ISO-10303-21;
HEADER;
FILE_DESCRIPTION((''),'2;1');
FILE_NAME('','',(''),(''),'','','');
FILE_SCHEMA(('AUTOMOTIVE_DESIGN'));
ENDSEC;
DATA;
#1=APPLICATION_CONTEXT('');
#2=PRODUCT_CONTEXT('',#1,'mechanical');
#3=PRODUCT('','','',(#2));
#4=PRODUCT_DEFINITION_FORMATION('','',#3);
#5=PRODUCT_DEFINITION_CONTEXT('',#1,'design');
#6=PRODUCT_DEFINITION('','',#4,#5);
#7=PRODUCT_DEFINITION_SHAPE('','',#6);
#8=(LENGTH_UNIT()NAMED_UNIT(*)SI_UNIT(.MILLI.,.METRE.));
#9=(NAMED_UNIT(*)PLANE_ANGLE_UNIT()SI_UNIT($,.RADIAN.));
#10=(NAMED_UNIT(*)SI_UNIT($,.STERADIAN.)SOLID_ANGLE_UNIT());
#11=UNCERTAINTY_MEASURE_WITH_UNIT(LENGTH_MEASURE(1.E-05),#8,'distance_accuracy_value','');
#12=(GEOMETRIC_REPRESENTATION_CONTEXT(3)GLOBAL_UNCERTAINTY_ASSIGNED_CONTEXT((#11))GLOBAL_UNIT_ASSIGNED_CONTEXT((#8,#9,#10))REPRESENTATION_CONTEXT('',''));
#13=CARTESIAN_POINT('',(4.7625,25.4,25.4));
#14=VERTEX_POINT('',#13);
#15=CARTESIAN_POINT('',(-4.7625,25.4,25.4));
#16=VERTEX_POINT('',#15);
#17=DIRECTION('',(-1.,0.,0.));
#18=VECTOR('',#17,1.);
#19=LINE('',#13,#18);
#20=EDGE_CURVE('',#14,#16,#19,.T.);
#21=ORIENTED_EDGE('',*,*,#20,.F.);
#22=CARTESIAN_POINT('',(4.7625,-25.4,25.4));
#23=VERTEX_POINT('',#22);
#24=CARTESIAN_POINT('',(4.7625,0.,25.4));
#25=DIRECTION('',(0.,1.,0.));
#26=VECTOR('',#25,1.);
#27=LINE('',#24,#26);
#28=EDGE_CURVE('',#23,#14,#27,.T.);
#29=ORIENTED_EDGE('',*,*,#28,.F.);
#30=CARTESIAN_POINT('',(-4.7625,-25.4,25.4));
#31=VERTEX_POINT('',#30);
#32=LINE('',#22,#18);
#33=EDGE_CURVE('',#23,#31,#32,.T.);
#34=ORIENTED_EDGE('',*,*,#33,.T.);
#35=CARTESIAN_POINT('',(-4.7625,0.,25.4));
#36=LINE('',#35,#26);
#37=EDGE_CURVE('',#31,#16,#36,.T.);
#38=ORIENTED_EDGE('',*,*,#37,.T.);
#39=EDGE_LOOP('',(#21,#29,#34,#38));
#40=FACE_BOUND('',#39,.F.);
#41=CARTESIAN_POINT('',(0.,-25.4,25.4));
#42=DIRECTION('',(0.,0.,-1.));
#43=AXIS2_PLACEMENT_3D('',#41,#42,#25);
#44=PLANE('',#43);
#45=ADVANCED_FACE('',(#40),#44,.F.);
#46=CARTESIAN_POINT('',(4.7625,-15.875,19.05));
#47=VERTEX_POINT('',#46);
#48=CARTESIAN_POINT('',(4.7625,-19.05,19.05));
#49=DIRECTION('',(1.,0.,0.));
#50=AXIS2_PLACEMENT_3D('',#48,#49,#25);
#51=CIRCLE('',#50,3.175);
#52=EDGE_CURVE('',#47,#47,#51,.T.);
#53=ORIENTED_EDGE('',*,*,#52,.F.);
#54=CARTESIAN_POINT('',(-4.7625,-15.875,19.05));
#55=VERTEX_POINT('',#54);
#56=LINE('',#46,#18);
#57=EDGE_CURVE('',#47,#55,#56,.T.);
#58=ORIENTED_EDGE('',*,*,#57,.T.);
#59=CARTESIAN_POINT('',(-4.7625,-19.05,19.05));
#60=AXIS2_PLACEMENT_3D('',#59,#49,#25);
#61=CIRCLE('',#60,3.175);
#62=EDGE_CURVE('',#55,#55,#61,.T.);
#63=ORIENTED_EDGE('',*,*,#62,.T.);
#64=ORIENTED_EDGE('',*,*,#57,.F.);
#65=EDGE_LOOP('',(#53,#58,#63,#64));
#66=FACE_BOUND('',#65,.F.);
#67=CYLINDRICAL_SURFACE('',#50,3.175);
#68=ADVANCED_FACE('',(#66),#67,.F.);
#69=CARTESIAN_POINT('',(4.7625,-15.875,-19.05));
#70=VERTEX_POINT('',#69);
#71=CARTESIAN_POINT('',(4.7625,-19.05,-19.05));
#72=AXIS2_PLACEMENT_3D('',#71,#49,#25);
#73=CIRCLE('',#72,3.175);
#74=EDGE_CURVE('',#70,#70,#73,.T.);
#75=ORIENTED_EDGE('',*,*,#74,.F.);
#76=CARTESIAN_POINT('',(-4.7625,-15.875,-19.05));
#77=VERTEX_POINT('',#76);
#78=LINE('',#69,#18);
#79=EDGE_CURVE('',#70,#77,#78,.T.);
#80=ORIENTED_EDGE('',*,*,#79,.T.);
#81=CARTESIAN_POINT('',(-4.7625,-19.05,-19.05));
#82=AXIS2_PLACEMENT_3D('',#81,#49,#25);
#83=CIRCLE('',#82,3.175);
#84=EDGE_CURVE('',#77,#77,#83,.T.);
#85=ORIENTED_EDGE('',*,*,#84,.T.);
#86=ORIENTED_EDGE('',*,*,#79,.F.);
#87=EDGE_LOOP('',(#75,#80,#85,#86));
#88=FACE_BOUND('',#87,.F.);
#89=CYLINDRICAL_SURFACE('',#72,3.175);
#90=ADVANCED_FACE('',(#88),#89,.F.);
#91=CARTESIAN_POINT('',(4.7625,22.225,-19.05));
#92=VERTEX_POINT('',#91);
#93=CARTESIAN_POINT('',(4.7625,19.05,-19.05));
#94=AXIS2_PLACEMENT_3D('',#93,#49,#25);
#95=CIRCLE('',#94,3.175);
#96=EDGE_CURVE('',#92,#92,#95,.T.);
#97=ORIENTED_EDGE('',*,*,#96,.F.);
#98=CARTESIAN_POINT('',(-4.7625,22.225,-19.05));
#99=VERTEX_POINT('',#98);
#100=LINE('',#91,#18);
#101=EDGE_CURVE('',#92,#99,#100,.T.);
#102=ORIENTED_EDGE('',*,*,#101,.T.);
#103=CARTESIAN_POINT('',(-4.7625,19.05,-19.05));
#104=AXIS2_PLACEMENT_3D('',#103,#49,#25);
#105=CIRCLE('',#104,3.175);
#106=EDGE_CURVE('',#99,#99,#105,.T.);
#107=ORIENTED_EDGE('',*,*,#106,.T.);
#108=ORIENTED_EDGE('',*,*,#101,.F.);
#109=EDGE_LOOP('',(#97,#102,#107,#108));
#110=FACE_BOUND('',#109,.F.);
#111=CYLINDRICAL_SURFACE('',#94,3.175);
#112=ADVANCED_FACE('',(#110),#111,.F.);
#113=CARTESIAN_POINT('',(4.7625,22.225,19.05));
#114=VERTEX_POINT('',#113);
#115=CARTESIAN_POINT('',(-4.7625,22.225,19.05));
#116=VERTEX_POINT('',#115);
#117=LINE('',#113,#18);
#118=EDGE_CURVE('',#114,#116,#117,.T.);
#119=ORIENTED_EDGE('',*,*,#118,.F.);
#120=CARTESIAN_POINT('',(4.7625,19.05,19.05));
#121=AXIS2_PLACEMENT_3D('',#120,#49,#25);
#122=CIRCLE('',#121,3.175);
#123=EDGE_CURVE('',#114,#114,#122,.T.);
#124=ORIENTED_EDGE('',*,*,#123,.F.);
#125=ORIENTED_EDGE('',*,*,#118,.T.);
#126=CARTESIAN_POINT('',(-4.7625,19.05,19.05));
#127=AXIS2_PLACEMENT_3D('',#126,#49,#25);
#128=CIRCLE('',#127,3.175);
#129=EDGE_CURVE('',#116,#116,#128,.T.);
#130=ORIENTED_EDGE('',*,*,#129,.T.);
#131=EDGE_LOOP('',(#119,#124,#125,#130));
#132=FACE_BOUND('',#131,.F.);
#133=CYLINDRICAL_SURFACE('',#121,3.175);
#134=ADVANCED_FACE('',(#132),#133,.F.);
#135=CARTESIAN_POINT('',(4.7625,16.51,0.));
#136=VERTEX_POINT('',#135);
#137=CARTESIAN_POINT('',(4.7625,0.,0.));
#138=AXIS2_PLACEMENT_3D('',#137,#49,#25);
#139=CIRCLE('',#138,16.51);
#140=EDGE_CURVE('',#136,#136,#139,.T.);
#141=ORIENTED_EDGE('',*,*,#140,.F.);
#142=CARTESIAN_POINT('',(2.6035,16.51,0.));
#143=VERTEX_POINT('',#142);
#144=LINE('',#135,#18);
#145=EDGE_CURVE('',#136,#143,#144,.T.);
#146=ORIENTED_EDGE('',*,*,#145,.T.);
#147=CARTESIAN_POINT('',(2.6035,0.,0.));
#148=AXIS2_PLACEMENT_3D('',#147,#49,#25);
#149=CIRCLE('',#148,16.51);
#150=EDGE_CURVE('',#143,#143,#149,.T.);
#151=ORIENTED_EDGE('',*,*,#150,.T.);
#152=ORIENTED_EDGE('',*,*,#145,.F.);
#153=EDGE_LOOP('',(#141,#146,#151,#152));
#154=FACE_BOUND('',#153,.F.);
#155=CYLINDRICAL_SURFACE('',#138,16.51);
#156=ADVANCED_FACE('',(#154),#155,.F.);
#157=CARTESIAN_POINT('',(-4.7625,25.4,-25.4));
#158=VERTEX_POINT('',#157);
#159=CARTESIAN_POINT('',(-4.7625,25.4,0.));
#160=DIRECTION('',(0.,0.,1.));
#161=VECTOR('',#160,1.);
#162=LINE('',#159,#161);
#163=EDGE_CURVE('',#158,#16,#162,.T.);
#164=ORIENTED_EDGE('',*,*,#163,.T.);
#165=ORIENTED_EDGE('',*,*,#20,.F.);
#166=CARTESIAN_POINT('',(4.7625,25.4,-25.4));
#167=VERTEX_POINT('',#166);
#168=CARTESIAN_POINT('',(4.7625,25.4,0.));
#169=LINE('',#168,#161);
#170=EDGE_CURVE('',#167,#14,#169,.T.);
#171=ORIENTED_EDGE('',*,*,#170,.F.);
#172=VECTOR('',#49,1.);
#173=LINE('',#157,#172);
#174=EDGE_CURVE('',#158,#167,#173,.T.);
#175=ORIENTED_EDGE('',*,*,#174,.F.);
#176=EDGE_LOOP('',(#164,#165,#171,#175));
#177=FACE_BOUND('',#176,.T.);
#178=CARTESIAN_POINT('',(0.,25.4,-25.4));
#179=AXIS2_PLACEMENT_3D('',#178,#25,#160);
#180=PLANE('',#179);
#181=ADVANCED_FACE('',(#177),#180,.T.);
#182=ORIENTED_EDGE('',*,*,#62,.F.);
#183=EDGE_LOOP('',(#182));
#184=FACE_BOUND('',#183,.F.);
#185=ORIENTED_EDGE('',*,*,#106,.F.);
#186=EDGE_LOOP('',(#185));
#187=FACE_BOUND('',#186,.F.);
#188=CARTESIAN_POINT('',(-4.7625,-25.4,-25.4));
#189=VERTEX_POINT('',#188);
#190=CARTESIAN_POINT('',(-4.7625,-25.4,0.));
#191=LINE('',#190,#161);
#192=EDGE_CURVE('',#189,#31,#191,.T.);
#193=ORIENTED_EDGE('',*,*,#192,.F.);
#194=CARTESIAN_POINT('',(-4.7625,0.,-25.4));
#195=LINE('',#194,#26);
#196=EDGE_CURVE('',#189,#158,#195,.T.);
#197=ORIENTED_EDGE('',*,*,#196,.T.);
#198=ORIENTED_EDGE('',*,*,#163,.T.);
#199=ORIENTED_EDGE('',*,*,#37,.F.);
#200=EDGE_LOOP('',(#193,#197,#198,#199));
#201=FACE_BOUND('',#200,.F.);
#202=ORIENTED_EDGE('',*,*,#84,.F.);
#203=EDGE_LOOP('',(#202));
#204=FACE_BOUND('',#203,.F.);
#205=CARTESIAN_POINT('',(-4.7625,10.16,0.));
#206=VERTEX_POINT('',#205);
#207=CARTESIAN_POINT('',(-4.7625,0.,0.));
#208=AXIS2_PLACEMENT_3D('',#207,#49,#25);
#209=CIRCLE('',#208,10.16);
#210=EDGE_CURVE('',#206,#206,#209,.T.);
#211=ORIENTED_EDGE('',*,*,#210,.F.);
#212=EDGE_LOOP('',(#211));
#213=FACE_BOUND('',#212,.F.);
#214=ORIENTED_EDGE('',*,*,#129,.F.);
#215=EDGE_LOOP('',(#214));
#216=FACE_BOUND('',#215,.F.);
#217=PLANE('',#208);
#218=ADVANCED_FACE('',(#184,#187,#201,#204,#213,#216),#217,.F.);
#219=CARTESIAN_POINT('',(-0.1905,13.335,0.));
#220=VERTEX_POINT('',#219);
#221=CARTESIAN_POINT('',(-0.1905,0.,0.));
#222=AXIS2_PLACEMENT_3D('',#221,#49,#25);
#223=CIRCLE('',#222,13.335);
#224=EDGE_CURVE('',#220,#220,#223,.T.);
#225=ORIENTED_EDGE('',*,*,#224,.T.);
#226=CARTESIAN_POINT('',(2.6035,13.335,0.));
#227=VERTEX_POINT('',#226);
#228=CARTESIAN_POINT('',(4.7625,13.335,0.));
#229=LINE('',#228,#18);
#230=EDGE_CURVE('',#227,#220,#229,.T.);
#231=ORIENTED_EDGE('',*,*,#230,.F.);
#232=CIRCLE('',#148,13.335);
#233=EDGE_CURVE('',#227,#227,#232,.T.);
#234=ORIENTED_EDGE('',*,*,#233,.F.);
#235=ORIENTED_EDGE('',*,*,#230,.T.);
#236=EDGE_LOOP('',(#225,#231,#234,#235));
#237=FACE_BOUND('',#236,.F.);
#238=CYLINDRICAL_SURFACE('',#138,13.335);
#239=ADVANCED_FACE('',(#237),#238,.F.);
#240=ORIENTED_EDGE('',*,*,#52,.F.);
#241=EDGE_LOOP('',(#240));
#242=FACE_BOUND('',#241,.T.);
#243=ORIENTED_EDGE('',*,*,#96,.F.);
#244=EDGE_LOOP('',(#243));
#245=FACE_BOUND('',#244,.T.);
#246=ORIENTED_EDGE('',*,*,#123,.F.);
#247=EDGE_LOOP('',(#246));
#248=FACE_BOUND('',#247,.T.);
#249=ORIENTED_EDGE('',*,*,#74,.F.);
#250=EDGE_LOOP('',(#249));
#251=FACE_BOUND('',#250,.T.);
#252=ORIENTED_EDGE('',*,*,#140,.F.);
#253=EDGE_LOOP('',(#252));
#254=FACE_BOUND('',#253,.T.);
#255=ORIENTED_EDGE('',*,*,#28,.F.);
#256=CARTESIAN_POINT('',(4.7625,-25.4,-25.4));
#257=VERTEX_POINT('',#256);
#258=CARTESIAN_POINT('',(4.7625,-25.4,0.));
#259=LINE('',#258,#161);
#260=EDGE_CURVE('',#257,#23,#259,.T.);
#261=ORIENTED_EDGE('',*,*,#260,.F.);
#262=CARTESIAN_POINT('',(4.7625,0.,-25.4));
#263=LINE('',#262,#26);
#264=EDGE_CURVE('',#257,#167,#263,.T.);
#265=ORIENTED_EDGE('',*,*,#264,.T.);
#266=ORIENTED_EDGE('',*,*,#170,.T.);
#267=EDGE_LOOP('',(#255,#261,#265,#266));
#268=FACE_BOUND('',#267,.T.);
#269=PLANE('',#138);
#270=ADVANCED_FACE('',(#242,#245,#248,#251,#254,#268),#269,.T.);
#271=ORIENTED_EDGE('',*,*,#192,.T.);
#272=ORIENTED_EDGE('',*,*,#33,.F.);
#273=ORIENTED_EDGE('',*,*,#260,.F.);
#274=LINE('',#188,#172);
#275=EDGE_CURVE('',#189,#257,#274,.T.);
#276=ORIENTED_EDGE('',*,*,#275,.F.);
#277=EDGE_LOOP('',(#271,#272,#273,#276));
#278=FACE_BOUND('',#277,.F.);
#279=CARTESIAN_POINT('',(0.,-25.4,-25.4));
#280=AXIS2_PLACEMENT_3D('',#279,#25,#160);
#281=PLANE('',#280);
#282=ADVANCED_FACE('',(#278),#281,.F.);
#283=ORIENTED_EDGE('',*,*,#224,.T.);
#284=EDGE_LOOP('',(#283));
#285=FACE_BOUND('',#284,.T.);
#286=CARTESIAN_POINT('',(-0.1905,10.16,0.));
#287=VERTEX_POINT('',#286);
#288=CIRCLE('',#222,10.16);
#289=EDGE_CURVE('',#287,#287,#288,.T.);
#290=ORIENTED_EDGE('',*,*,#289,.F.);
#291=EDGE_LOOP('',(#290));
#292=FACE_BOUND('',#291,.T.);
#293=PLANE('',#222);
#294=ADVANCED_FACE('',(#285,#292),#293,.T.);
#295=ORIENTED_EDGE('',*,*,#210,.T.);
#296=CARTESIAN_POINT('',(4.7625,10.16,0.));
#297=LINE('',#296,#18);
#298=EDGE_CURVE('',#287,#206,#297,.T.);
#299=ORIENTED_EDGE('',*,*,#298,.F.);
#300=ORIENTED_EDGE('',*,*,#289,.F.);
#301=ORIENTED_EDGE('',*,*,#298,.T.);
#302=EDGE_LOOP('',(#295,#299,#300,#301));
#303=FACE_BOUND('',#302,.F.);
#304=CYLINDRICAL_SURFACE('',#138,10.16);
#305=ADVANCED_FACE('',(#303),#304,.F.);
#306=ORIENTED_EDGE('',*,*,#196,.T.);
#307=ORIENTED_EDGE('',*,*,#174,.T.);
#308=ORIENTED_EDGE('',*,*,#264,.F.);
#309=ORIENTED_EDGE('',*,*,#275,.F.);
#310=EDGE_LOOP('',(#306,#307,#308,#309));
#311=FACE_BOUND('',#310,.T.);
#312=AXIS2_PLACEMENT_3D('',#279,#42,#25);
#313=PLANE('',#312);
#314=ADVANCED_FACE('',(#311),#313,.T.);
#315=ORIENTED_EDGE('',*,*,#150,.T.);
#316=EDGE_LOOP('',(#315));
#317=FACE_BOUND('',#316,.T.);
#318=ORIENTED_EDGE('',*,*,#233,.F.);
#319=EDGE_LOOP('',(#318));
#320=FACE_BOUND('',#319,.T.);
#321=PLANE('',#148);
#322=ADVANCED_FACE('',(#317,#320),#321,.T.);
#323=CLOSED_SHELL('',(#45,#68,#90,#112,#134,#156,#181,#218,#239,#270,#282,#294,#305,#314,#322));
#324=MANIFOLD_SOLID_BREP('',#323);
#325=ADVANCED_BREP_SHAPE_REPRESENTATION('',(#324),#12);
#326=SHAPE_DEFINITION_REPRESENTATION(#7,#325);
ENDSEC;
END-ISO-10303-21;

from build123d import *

# Parameters (mm, degrees)
F0_W     = 50.8
F0_H     = 50.8
F1_DEPTH = 4.7625
F2_R     = 10.16
F3_DEPTH = 9.525
F4_R     = 16.51
F5_DEPTH = 2.159
F6_R     = 3.175
F7_DEPTH = 9.525
F8_R     = 13.335
F9_DEPTH = 4.953


with BuildPart() as f1:
    # F0 (on Right) → F1 (new body, symmetric)
    with BuildSketch(Plane.YZ):
        Rectangle(F0_W, F0_H)
    extrude(amount=F1_DEPTH, both=True)

    # F2 (on face) → F3 (cut, through all)
    with BuildSketch(Plane.YZ.offset(4.7625)):
        Circle(F2_R)
    extrude(amount=-F3_DEPTH, mode=Mode.SUBTRACT)

    # F4 (on face) → F5 (cut)
    with BuildSketch(Plane.YZ.offset(4.7625)):
        Circle(F4_R)
    extrude(amount=-F5_DEPTH, mode=Mode.SUBTRACT)

    # F6 (on face) → F7 (cut, through all)
    with BuildSketch(Plane.YZ.offset(4.7625)):
        with Locations((-19.05, 19.05)):
            Circle(F6_R)
        with Locations((19.05, 19.05)):
            Circle(F6_R)
        with Locations((-19.05, -19.05)):
            Circle(F6_R)
        with Locations((19.05, -19.05)):
            Circle(F6_R)
    extrude(amount=-F7_DEPTH, mode=Mode.SUBTRACT)

    # F8 (on face) → F9 (cut)
    with BuildSketch(Plane.YZ.offset(4.7625)):
        Circle(F8_R)
    extrude(amount=-F9_DEPTH, mode=Mode.SUBTRACT)


solid = f1.part
